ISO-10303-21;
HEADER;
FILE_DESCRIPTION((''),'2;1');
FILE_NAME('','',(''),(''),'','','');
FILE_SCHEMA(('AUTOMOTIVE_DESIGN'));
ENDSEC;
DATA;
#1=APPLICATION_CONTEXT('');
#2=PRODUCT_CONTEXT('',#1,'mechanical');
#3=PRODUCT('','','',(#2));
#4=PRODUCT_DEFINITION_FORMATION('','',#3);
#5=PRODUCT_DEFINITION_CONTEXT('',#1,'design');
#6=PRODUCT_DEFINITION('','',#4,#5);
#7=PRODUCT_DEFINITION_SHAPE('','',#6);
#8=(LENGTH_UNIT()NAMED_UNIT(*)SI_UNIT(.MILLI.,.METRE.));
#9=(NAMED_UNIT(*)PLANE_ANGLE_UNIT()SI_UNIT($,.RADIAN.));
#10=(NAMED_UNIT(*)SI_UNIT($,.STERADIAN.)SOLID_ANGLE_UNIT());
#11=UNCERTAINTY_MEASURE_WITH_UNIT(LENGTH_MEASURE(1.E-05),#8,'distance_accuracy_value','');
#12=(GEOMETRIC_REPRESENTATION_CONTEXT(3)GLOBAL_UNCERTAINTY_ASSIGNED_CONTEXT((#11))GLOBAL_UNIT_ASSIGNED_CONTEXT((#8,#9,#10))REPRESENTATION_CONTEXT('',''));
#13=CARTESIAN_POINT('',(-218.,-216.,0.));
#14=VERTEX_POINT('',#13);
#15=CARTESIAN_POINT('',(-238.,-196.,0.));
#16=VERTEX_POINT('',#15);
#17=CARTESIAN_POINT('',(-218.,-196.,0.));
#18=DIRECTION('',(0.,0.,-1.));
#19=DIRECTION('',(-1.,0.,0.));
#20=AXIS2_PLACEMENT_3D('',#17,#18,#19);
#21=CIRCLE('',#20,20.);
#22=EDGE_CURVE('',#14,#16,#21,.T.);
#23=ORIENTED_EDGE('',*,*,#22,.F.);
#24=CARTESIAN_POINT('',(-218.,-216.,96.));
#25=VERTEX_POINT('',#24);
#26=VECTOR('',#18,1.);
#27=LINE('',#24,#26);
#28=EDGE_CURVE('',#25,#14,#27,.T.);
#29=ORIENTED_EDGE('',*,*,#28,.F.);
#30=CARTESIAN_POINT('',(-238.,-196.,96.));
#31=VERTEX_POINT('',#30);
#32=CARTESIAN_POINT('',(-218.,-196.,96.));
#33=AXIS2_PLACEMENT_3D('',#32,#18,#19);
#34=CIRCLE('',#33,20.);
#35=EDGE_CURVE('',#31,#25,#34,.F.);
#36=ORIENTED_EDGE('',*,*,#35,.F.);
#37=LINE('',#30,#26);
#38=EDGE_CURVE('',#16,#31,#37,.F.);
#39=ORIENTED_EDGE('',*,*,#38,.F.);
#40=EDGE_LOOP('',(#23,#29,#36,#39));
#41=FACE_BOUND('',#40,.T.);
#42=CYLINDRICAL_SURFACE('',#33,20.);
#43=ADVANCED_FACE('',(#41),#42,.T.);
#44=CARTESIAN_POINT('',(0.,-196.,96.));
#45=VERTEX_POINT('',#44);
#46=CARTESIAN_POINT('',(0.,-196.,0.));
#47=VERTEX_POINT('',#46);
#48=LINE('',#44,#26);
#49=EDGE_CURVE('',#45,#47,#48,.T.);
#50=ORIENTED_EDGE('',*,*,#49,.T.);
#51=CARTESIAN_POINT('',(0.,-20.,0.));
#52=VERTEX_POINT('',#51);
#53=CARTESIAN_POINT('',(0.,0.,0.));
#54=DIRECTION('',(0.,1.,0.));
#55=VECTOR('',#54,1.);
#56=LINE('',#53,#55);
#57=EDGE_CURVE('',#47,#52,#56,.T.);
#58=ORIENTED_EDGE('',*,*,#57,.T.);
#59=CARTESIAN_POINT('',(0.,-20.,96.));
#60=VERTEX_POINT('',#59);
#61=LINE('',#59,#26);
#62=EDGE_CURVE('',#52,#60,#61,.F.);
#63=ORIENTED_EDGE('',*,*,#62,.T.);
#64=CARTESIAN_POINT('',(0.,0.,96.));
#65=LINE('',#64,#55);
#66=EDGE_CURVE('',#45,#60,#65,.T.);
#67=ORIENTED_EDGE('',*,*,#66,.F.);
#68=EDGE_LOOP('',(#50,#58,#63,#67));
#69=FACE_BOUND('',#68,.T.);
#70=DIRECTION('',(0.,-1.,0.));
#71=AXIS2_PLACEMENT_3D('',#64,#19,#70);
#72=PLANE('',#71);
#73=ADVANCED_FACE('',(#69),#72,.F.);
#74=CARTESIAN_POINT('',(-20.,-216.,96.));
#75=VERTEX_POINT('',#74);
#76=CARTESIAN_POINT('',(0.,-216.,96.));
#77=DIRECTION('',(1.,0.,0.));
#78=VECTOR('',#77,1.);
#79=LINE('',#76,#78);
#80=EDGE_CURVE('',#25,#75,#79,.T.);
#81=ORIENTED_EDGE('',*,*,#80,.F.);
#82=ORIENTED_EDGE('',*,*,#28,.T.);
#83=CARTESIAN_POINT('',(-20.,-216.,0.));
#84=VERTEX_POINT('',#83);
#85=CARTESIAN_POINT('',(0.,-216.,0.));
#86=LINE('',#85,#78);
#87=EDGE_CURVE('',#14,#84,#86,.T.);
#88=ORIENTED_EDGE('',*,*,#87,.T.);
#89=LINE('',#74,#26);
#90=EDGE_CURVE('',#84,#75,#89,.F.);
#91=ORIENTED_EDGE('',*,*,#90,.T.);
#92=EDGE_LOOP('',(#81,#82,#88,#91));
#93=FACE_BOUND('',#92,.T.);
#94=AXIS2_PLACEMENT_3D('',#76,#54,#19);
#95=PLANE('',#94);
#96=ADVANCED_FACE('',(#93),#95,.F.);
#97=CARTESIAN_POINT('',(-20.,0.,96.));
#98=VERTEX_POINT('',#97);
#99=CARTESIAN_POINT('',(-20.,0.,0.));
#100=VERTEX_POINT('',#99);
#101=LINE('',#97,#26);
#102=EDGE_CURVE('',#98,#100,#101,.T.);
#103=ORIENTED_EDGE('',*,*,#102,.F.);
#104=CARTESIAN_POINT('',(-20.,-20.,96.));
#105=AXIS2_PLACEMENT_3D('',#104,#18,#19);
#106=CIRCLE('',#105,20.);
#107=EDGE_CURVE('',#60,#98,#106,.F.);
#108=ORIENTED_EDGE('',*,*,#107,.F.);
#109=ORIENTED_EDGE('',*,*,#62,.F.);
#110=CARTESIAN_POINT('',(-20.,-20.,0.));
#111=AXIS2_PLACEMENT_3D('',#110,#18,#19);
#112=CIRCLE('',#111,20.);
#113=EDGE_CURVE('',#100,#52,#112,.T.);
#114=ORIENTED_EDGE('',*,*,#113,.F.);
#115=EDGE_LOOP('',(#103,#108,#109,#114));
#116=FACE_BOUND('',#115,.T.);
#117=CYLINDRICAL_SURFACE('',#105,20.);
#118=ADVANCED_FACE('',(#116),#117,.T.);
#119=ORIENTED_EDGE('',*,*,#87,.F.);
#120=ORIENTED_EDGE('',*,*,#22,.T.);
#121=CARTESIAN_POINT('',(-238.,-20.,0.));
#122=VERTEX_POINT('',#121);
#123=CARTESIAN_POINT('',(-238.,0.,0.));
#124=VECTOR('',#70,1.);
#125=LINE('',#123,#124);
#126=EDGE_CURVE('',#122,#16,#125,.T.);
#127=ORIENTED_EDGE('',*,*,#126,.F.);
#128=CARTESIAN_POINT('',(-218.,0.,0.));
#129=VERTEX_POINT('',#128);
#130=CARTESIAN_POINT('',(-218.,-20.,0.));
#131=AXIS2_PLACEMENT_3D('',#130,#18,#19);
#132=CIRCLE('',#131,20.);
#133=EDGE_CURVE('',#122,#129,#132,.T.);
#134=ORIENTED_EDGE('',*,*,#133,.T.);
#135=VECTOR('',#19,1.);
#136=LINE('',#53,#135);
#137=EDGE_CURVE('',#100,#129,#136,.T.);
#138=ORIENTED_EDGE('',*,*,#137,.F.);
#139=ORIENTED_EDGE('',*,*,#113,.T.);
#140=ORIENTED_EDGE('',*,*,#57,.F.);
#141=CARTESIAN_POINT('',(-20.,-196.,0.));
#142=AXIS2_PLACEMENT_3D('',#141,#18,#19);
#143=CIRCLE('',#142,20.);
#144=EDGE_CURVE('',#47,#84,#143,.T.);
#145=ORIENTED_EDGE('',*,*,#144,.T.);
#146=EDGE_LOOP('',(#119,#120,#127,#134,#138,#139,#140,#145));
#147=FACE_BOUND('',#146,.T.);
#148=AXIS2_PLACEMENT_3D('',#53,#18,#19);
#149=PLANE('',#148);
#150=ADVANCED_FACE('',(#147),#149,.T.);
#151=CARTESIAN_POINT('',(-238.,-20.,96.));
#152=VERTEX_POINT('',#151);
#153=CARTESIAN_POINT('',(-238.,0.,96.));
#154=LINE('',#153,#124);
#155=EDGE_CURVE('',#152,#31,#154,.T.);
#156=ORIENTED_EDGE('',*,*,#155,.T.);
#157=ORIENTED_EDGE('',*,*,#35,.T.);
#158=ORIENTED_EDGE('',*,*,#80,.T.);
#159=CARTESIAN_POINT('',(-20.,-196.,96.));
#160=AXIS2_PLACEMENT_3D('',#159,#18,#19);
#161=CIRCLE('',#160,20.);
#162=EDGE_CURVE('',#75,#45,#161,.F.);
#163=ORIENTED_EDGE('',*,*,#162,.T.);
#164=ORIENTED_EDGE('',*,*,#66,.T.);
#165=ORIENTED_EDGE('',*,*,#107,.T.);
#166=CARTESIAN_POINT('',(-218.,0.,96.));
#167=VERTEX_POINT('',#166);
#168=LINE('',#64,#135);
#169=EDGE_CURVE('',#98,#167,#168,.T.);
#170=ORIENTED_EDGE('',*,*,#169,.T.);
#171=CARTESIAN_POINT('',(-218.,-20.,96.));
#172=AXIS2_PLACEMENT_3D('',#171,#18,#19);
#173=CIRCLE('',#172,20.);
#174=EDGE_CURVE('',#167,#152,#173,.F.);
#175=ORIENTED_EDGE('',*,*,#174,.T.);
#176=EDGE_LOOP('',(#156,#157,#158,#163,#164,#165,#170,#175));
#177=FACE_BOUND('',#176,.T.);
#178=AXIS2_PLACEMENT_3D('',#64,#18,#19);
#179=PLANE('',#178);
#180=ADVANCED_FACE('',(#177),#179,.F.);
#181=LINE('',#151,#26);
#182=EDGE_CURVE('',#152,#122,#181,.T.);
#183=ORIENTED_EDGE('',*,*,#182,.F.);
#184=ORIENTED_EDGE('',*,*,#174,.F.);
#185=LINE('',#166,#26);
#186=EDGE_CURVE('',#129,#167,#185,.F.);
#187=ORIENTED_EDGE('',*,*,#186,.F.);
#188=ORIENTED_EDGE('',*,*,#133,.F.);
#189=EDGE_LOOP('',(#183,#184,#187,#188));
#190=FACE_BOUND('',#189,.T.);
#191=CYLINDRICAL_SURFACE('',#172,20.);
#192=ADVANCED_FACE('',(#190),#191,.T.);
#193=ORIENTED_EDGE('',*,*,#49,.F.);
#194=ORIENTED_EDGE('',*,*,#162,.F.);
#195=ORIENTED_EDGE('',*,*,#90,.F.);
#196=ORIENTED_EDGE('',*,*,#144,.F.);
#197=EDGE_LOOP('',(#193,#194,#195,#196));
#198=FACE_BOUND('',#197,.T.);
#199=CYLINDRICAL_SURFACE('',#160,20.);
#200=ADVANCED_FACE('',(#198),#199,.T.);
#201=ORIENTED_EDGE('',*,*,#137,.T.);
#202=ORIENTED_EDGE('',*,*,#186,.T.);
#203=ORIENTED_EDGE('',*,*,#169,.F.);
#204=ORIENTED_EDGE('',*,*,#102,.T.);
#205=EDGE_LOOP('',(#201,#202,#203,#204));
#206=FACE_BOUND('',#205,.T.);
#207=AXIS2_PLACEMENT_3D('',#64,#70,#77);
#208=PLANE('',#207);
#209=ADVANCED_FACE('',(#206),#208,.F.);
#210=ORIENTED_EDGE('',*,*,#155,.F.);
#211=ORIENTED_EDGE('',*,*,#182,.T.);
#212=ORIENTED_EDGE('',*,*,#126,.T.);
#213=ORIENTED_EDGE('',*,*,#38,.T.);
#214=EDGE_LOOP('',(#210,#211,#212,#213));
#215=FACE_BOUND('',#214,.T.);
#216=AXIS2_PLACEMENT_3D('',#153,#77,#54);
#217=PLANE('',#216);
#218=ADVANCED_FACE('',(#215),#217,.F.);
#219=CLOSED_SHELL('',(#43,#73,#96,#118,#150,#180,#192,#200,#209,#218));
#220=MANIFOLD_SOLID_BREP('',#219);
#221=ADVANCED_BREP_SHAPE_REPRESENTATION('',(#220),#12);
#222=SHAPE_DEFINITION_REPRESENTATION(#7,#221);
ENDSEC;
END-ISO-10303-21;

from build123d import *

# Parameters (mm, degrees)
SKETCH_1_W      = 238
SKETCH_1_H      = 216
EXTRUDE_1_DEPTH = 96
FILLET_1_R      = 20


with BuildPart() as part:
    # 草图1 → 凸台-拉伸1 (new body)
    with BuildSketch(Plane.XY):
        with Locations((-119, -108)):
            Rectangle(SKETCH_1_W, SKETCH_1_H)
    extrude(amount=EXTRUDE_1_DEPTH)

    # 圆角1
    fillet_1_edges = [part.edges().sort_by_distance(p)[0] for p in [
        (0, -216, 48),
        (-238, -216, 48),
        (-238, 0, 48),
        (0, 0, 48),
    ]]
    fillet(fillet_1_edges, radius=FILLET_1_R)


solid = part.part
